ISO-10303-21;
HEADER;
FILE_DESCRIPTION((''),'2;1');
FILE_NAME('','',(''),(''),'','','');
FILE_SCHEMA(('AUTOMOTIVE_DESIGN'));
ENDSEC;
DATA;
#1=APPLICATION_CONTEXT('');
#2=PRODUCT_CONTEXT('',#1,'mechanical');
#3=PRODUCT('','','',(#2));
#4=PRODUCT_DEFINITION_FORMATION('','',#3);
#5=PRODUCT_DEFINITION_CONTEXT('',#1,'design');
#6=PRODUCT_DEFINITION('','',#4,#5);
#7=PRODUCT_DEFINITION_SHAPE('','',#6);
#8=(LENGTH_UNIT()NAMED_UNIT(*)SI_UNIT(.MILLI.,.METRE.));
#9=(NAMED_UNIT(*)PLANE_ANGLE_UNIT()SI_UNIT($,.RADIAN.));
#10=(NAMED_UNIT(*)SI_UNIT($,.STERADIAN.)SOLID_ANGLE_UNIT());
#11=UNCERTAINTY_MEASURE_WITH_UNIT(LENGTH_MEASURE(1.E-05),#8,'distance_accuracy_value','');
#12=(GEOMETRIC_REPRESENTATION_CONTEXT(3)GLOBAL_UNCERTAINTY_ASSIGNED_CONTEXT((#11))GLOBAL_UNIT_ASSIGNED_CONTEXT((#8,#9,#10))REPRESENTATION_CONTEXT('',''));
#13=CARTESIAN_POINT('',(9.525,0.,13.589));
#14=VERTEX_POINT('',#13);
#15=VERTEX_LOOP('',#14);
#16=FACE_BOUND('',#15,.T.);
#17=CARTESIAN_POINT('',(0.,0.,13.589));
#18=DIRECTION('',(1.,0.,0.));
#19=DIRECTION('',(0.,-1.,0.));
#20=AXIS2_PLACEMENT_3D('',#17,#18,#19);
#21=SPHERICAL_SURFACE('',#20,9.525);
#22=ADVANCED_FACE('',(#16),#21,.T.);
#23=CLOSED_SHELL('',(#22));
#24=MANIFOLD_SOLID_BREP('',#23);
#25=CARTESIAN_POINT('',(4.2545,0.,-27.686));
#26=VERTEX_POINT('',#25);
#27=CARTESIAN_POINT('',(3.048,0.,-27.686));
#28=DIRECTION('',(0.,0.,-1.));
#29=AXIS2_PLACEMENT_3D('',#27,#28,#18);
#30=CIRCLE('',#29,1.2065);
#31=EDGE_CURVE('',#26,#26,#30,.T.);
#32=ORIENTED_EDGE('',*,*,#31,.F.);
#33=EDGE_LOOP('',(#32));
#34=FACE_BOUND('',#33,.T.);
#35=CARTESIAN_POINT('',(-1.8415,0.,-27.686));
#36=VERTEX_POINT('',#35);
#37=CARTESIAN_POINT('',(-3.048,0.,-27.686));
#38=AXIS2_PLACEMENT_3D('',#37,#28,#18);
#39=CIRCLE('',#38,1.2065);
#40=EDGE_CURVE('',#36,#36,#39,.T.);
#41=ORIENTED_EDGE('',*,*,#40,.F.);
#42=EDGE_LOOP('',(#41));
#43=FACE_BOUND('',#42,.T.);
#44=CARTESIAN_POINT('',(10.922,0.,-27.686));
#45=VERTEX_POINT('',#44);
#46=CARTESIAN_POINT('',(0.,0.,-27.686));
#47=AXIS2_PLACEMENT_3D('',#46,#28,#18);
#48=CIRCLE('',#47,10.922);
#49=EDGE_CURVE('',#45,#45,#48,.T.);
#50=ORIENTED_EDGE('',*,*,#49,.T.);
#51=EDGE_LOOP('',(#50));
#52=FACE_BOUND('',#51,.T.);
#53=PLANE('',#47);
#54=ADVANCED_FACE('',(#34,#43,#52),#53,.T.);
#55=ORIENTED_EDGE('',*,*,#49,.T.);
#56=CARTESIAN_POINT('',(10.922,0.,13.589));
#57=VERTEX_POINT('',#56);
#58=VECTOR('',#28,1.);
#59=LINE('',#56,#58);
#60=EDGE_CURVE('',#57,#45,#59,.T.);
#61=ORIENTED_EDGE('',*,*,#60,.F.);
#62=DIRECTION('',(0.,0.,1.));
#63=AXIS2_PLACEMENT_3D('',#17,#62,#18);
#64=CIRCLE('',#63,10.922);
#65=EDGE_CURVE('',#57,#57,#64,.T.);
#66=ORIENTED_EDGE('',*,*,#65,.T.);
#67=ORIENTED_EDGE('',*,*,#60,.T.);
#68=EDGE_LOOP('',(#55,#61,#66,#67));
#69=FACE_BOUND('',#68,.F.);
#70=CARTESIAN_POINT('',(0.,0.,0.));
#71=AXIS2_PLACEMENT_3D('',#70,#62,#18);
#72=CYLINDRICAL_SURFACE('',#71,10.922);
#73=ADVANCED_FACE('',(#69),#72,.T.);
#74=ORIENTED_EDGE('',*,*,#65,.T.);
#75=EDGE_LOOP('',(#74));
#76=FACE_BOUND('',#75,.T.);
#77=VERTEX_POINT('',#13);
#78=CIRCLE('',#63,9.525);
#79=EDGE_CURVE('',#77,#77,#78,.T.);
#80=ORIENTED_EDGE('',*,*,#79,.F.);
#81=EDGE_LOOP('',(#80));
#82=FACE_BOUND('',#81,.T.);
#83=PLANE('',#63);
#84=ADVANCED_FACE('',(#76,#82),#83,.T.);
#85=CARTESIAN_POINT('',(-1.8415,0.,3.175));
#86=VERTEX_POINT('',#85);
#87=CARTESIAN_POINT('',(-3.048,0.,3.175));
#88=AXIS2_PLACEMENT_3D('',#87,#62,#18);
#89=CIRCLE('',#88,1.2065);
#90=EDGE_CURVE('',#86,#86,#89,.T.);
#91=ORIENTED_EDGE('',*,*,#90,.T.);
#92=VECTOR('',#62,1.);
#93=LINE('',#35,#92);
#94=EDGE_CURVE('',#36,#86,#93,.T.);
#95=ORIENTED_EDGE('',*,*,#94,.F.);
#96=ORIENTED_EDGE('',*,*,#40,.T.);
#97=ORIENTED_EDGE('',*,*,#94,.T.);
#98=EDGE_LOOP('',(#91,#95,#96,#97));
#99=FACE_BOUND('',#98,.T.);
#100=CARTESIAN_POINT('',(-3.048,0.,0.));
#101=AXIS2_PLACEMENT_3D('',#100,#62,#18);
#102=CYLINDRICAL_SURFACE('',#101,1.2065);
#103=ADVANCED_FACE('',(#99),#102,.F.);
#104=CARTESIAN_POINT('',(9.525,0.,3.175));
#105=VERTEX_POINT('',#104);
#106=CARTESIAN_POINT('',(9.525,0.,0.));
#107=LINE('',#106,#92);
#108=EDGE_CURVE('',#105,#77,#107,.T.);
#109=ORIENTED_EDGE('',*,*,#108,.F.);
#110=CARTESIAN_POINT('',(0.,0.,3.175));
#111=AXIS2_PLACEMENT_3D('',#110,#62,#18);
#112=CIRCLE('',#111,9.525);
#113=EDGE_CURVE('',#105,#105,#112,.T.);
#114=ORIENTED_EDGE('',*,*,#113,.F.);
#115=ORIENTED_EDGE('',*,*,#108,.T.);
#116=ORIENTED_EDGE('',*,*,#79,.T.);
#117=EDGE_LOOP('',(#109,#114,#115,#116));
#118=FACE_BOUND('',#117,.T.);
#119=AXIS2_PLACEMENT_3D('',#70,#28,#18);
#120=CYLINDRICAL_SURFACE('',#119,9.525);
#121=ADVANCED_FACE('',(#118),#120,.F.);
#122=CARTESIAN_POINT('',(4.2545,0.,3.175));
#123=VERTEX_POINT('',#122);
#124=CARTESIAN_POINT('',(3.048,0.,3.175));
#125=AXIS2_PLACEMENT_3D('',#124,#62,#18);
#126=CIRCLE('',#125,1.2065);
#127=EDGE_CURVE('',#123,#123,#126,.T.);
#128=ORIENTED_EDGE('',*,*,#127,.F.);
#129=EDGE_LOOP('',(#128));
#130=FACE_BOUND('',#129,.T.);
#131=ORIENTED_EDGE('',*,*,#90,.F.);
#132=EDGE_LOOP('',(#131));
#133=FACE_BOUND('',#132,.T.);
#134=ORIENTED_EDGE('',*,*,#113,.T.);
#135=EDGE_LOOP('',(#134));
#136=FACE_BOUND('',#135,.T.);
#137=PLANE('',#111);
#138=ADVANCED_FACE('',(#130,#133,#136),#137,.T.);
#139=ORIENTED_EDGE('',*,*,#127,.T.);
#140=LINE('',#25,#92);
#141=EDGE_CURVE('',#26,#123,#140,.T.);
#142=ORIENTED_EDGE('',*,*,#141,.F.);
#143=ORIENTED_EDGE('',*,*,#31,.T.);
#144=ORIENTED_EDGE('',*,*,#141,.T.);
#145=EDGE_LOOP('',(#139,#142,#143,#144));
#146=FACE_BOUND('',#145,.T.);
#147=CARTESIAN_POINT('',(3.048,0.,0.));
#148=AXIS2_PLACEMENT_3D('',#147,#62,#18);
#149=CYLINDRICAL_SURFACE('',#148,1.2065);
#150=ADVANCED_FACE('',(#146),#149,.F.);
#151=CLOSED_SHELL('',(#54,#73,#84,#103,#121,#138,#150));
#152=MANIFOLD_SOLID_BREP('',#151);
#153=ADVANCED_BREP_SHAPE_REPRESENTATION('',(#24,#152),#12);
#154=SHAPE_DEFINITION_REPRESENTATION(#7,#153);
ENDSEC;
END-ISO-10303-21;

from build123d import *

# Parameters (mm, degrees)
F0_R        = 10.922
F0_R_2      = 9.525
F1_DEPTH    = 13.589
F4_R        = 9.525
F4_R_2      = 1.2065
F5_DEPTH    = 3.175
F5_FACE_R   = 10.922
F5_FACE_R_2 = 1.2065
F6_DEPTH    = 27.686


with BuildPart() as f1:
    # F0 (on Top) → F1 (new body)
    with BuildSketch(Plane.XY):
        Circle(F0_R)
        Circle(F0_R_2, mode=Mode.SUBTRACT)
    extrude(amount=F1_DEPTH)

    # F4 (on Top) → F5 (join)
    with BuildSketch(Plane.XY):
        Circle(F4_R)
        with Locations((-3.048, 0)):
            Circle(F4_R_2, mode=Mode.SUBTRACT)
        with Locations((3.048, 0)):
            Circle(F4_R_2, mode=Mode.SUBTRACT)
    extrude(amount=F5_DEPTH)

    # F5_face (on face) → F6 (join)
    with BuildSketch(Plane(origin=(0, 0, 0), x_dir=(1, 0, 0), z_dir=(0, 0, -1))):
        Circle(F5_FACE_R)
        with Locations((3.048, 0)):
            Circle(F5_FACE_R_2, mode=Mode.SUBTRACT)
        with Locations((-3.048, 0)):
            Circle(F5_FACE_R_2, mode=Mode.SUBTRACT)
    extrude(amount=F6_DEPTH)


with BuildPart() as f3:
    # F2 (on face) → F3 (revolve)
    with BuildSketch(Plane.XY.offset(13.589)):
        with BuildLine():
            Line((9.525, 0), (-9.525, 0))
            ThreePointArc((-9.525, 0), (0, -9.525), (9.525, 0))
        make_face()
    revolve(axis=Axis((7.46786, 0, 13.589), (1, 0, 0)))


solid = Compound([f1.part, f3.part])
